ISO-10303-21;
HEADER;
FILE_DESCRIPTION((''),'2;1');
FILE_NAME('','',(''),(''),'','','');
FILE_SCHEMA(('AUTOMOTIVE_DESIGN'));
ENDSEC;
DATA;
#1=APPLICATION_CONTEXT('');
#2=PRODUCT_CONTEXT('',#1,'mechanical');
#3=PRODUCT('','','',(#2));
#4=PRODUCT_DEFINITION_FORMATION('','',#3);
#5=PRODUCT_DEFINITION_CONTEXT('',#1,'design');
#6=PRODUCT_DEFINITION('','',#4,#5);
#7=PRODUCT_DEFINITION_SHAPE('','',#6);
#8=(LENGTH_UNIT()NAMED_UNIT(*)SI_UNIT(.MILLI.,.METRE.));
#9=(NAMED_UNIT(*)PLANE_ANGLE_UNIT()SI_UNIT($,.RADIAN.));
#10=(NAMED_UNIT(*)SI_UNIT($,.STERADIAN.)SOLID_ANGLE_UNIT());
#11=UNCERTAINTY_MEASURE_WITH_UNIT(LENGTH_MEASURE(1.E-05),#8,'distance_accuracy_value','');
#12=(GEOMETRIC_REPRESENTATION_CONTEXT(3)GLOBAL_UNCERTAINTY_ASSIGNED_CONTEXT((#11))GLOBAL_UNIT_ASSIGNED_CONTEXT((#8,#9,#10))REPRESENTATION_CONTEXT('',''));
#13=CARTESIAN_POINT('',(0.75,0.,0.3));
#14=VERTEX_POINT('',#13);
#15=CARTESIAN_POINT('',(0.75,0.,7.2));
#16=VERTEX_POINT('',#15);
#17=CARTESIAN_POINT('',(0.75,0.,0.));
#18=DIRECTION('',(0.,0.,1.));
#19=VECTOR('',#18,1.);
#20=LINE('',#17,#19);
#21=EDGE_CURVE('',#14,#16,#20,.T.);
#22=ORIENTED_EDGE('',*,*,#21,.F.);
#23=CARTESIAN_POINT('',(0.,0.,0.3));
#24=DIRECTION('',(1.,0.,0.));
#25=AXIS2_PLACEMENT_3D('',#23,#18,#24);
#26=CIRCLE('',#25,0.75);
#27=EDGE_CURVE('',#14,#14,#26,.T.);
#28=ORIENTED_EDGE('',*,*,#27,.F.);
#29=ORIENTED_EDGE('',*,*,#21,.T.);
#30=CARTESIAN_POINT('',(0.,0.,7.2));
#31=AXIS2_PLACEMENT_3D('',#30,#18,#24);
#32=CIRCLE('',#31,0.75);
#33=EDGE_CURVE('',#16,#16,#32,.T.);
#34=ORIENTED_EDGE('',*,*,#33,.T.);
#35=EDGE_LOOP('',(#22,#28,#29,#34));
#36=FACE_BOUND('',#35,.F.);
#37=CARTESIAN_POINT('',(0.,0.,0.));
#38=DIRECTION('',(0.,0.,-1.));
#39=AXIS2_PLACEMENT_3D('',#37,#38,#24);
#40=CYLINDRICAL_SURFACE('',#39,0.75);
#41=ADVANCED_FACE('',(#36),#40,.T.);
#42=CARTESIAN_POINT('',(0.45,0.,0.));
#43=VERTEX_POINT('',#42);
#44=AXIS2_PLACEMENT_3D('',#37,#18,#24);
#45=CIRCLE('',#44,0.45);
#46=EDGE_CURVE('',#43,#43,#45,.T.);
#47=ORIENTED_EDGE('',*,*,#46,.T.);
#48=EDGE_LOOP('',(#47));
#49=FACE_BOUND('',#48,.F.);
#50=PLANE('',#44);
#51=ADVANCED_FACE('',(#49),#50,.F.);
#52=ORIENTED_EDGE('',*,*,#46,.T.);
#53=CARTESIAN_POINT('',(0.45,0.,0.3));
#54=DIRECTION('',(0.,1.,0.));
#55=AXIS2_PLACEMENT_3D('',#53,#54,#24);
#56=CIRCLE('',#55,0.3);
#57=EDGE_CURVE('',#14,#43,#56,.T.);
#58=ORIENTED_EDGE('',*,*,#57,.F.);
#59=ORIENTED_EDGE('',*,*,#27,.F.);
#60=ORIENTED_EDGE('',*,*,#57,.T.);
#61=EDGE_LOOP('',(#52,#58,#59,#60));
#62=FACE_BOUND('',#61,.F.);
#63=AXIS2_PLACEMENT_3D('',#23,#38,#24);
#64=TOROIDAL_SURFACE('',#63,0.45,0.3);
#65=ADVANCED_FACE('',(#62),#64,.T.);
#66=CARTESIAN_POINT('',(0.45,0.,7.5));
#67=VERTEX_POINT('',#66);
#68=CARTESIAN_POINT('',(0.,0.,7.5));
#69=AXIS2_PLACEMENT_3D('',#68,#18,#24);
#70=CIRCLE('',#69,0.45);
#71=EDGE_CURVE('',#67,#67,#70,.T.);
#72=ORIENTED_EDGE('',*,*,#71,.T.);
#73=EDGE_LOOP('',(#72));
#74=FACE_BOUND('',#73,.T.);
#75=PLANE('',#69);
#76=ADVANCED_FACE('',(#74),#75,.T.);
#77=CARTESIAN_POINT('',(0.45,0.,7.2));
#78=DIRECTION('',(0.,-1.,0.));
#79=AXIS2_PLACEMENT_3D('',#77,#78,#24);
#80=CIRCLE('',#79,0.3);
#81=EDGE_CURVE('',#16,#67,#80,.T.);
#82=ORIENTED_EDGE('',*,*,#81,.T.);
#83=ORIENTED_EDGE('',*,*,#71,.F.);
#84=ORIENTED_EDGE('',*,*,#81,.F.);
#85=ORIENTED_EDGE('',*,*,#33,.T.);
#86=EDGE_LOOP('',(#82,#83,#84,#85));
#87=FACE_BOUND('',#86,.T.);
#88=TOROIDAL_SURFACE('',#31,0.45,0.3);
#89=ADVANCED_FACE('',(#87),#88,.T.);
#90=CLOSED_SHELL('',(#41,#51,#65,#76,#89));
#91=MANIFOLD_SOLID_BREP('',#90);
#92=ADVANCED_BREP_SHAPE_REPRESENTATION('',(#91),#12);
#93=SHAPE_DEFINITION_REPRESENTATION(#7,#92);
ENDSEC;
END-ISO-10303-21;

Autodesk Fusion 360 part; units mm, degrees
sketch "Sketch1" plane through (0, 0, 0) normal (0, 0, 1) x (1, 0, 0)
  circle A0 centre (0, 0) radius 0.75
  dimension "d1" = 1.5
extrude "Extrude1" add sketch "Sketch1" along normal blind 7.5
fillet "Fillet1" radius 0.3 2 edges at (-0.6992, -0.2712, 7.5) (-0.6992, -0.2712, 0)
